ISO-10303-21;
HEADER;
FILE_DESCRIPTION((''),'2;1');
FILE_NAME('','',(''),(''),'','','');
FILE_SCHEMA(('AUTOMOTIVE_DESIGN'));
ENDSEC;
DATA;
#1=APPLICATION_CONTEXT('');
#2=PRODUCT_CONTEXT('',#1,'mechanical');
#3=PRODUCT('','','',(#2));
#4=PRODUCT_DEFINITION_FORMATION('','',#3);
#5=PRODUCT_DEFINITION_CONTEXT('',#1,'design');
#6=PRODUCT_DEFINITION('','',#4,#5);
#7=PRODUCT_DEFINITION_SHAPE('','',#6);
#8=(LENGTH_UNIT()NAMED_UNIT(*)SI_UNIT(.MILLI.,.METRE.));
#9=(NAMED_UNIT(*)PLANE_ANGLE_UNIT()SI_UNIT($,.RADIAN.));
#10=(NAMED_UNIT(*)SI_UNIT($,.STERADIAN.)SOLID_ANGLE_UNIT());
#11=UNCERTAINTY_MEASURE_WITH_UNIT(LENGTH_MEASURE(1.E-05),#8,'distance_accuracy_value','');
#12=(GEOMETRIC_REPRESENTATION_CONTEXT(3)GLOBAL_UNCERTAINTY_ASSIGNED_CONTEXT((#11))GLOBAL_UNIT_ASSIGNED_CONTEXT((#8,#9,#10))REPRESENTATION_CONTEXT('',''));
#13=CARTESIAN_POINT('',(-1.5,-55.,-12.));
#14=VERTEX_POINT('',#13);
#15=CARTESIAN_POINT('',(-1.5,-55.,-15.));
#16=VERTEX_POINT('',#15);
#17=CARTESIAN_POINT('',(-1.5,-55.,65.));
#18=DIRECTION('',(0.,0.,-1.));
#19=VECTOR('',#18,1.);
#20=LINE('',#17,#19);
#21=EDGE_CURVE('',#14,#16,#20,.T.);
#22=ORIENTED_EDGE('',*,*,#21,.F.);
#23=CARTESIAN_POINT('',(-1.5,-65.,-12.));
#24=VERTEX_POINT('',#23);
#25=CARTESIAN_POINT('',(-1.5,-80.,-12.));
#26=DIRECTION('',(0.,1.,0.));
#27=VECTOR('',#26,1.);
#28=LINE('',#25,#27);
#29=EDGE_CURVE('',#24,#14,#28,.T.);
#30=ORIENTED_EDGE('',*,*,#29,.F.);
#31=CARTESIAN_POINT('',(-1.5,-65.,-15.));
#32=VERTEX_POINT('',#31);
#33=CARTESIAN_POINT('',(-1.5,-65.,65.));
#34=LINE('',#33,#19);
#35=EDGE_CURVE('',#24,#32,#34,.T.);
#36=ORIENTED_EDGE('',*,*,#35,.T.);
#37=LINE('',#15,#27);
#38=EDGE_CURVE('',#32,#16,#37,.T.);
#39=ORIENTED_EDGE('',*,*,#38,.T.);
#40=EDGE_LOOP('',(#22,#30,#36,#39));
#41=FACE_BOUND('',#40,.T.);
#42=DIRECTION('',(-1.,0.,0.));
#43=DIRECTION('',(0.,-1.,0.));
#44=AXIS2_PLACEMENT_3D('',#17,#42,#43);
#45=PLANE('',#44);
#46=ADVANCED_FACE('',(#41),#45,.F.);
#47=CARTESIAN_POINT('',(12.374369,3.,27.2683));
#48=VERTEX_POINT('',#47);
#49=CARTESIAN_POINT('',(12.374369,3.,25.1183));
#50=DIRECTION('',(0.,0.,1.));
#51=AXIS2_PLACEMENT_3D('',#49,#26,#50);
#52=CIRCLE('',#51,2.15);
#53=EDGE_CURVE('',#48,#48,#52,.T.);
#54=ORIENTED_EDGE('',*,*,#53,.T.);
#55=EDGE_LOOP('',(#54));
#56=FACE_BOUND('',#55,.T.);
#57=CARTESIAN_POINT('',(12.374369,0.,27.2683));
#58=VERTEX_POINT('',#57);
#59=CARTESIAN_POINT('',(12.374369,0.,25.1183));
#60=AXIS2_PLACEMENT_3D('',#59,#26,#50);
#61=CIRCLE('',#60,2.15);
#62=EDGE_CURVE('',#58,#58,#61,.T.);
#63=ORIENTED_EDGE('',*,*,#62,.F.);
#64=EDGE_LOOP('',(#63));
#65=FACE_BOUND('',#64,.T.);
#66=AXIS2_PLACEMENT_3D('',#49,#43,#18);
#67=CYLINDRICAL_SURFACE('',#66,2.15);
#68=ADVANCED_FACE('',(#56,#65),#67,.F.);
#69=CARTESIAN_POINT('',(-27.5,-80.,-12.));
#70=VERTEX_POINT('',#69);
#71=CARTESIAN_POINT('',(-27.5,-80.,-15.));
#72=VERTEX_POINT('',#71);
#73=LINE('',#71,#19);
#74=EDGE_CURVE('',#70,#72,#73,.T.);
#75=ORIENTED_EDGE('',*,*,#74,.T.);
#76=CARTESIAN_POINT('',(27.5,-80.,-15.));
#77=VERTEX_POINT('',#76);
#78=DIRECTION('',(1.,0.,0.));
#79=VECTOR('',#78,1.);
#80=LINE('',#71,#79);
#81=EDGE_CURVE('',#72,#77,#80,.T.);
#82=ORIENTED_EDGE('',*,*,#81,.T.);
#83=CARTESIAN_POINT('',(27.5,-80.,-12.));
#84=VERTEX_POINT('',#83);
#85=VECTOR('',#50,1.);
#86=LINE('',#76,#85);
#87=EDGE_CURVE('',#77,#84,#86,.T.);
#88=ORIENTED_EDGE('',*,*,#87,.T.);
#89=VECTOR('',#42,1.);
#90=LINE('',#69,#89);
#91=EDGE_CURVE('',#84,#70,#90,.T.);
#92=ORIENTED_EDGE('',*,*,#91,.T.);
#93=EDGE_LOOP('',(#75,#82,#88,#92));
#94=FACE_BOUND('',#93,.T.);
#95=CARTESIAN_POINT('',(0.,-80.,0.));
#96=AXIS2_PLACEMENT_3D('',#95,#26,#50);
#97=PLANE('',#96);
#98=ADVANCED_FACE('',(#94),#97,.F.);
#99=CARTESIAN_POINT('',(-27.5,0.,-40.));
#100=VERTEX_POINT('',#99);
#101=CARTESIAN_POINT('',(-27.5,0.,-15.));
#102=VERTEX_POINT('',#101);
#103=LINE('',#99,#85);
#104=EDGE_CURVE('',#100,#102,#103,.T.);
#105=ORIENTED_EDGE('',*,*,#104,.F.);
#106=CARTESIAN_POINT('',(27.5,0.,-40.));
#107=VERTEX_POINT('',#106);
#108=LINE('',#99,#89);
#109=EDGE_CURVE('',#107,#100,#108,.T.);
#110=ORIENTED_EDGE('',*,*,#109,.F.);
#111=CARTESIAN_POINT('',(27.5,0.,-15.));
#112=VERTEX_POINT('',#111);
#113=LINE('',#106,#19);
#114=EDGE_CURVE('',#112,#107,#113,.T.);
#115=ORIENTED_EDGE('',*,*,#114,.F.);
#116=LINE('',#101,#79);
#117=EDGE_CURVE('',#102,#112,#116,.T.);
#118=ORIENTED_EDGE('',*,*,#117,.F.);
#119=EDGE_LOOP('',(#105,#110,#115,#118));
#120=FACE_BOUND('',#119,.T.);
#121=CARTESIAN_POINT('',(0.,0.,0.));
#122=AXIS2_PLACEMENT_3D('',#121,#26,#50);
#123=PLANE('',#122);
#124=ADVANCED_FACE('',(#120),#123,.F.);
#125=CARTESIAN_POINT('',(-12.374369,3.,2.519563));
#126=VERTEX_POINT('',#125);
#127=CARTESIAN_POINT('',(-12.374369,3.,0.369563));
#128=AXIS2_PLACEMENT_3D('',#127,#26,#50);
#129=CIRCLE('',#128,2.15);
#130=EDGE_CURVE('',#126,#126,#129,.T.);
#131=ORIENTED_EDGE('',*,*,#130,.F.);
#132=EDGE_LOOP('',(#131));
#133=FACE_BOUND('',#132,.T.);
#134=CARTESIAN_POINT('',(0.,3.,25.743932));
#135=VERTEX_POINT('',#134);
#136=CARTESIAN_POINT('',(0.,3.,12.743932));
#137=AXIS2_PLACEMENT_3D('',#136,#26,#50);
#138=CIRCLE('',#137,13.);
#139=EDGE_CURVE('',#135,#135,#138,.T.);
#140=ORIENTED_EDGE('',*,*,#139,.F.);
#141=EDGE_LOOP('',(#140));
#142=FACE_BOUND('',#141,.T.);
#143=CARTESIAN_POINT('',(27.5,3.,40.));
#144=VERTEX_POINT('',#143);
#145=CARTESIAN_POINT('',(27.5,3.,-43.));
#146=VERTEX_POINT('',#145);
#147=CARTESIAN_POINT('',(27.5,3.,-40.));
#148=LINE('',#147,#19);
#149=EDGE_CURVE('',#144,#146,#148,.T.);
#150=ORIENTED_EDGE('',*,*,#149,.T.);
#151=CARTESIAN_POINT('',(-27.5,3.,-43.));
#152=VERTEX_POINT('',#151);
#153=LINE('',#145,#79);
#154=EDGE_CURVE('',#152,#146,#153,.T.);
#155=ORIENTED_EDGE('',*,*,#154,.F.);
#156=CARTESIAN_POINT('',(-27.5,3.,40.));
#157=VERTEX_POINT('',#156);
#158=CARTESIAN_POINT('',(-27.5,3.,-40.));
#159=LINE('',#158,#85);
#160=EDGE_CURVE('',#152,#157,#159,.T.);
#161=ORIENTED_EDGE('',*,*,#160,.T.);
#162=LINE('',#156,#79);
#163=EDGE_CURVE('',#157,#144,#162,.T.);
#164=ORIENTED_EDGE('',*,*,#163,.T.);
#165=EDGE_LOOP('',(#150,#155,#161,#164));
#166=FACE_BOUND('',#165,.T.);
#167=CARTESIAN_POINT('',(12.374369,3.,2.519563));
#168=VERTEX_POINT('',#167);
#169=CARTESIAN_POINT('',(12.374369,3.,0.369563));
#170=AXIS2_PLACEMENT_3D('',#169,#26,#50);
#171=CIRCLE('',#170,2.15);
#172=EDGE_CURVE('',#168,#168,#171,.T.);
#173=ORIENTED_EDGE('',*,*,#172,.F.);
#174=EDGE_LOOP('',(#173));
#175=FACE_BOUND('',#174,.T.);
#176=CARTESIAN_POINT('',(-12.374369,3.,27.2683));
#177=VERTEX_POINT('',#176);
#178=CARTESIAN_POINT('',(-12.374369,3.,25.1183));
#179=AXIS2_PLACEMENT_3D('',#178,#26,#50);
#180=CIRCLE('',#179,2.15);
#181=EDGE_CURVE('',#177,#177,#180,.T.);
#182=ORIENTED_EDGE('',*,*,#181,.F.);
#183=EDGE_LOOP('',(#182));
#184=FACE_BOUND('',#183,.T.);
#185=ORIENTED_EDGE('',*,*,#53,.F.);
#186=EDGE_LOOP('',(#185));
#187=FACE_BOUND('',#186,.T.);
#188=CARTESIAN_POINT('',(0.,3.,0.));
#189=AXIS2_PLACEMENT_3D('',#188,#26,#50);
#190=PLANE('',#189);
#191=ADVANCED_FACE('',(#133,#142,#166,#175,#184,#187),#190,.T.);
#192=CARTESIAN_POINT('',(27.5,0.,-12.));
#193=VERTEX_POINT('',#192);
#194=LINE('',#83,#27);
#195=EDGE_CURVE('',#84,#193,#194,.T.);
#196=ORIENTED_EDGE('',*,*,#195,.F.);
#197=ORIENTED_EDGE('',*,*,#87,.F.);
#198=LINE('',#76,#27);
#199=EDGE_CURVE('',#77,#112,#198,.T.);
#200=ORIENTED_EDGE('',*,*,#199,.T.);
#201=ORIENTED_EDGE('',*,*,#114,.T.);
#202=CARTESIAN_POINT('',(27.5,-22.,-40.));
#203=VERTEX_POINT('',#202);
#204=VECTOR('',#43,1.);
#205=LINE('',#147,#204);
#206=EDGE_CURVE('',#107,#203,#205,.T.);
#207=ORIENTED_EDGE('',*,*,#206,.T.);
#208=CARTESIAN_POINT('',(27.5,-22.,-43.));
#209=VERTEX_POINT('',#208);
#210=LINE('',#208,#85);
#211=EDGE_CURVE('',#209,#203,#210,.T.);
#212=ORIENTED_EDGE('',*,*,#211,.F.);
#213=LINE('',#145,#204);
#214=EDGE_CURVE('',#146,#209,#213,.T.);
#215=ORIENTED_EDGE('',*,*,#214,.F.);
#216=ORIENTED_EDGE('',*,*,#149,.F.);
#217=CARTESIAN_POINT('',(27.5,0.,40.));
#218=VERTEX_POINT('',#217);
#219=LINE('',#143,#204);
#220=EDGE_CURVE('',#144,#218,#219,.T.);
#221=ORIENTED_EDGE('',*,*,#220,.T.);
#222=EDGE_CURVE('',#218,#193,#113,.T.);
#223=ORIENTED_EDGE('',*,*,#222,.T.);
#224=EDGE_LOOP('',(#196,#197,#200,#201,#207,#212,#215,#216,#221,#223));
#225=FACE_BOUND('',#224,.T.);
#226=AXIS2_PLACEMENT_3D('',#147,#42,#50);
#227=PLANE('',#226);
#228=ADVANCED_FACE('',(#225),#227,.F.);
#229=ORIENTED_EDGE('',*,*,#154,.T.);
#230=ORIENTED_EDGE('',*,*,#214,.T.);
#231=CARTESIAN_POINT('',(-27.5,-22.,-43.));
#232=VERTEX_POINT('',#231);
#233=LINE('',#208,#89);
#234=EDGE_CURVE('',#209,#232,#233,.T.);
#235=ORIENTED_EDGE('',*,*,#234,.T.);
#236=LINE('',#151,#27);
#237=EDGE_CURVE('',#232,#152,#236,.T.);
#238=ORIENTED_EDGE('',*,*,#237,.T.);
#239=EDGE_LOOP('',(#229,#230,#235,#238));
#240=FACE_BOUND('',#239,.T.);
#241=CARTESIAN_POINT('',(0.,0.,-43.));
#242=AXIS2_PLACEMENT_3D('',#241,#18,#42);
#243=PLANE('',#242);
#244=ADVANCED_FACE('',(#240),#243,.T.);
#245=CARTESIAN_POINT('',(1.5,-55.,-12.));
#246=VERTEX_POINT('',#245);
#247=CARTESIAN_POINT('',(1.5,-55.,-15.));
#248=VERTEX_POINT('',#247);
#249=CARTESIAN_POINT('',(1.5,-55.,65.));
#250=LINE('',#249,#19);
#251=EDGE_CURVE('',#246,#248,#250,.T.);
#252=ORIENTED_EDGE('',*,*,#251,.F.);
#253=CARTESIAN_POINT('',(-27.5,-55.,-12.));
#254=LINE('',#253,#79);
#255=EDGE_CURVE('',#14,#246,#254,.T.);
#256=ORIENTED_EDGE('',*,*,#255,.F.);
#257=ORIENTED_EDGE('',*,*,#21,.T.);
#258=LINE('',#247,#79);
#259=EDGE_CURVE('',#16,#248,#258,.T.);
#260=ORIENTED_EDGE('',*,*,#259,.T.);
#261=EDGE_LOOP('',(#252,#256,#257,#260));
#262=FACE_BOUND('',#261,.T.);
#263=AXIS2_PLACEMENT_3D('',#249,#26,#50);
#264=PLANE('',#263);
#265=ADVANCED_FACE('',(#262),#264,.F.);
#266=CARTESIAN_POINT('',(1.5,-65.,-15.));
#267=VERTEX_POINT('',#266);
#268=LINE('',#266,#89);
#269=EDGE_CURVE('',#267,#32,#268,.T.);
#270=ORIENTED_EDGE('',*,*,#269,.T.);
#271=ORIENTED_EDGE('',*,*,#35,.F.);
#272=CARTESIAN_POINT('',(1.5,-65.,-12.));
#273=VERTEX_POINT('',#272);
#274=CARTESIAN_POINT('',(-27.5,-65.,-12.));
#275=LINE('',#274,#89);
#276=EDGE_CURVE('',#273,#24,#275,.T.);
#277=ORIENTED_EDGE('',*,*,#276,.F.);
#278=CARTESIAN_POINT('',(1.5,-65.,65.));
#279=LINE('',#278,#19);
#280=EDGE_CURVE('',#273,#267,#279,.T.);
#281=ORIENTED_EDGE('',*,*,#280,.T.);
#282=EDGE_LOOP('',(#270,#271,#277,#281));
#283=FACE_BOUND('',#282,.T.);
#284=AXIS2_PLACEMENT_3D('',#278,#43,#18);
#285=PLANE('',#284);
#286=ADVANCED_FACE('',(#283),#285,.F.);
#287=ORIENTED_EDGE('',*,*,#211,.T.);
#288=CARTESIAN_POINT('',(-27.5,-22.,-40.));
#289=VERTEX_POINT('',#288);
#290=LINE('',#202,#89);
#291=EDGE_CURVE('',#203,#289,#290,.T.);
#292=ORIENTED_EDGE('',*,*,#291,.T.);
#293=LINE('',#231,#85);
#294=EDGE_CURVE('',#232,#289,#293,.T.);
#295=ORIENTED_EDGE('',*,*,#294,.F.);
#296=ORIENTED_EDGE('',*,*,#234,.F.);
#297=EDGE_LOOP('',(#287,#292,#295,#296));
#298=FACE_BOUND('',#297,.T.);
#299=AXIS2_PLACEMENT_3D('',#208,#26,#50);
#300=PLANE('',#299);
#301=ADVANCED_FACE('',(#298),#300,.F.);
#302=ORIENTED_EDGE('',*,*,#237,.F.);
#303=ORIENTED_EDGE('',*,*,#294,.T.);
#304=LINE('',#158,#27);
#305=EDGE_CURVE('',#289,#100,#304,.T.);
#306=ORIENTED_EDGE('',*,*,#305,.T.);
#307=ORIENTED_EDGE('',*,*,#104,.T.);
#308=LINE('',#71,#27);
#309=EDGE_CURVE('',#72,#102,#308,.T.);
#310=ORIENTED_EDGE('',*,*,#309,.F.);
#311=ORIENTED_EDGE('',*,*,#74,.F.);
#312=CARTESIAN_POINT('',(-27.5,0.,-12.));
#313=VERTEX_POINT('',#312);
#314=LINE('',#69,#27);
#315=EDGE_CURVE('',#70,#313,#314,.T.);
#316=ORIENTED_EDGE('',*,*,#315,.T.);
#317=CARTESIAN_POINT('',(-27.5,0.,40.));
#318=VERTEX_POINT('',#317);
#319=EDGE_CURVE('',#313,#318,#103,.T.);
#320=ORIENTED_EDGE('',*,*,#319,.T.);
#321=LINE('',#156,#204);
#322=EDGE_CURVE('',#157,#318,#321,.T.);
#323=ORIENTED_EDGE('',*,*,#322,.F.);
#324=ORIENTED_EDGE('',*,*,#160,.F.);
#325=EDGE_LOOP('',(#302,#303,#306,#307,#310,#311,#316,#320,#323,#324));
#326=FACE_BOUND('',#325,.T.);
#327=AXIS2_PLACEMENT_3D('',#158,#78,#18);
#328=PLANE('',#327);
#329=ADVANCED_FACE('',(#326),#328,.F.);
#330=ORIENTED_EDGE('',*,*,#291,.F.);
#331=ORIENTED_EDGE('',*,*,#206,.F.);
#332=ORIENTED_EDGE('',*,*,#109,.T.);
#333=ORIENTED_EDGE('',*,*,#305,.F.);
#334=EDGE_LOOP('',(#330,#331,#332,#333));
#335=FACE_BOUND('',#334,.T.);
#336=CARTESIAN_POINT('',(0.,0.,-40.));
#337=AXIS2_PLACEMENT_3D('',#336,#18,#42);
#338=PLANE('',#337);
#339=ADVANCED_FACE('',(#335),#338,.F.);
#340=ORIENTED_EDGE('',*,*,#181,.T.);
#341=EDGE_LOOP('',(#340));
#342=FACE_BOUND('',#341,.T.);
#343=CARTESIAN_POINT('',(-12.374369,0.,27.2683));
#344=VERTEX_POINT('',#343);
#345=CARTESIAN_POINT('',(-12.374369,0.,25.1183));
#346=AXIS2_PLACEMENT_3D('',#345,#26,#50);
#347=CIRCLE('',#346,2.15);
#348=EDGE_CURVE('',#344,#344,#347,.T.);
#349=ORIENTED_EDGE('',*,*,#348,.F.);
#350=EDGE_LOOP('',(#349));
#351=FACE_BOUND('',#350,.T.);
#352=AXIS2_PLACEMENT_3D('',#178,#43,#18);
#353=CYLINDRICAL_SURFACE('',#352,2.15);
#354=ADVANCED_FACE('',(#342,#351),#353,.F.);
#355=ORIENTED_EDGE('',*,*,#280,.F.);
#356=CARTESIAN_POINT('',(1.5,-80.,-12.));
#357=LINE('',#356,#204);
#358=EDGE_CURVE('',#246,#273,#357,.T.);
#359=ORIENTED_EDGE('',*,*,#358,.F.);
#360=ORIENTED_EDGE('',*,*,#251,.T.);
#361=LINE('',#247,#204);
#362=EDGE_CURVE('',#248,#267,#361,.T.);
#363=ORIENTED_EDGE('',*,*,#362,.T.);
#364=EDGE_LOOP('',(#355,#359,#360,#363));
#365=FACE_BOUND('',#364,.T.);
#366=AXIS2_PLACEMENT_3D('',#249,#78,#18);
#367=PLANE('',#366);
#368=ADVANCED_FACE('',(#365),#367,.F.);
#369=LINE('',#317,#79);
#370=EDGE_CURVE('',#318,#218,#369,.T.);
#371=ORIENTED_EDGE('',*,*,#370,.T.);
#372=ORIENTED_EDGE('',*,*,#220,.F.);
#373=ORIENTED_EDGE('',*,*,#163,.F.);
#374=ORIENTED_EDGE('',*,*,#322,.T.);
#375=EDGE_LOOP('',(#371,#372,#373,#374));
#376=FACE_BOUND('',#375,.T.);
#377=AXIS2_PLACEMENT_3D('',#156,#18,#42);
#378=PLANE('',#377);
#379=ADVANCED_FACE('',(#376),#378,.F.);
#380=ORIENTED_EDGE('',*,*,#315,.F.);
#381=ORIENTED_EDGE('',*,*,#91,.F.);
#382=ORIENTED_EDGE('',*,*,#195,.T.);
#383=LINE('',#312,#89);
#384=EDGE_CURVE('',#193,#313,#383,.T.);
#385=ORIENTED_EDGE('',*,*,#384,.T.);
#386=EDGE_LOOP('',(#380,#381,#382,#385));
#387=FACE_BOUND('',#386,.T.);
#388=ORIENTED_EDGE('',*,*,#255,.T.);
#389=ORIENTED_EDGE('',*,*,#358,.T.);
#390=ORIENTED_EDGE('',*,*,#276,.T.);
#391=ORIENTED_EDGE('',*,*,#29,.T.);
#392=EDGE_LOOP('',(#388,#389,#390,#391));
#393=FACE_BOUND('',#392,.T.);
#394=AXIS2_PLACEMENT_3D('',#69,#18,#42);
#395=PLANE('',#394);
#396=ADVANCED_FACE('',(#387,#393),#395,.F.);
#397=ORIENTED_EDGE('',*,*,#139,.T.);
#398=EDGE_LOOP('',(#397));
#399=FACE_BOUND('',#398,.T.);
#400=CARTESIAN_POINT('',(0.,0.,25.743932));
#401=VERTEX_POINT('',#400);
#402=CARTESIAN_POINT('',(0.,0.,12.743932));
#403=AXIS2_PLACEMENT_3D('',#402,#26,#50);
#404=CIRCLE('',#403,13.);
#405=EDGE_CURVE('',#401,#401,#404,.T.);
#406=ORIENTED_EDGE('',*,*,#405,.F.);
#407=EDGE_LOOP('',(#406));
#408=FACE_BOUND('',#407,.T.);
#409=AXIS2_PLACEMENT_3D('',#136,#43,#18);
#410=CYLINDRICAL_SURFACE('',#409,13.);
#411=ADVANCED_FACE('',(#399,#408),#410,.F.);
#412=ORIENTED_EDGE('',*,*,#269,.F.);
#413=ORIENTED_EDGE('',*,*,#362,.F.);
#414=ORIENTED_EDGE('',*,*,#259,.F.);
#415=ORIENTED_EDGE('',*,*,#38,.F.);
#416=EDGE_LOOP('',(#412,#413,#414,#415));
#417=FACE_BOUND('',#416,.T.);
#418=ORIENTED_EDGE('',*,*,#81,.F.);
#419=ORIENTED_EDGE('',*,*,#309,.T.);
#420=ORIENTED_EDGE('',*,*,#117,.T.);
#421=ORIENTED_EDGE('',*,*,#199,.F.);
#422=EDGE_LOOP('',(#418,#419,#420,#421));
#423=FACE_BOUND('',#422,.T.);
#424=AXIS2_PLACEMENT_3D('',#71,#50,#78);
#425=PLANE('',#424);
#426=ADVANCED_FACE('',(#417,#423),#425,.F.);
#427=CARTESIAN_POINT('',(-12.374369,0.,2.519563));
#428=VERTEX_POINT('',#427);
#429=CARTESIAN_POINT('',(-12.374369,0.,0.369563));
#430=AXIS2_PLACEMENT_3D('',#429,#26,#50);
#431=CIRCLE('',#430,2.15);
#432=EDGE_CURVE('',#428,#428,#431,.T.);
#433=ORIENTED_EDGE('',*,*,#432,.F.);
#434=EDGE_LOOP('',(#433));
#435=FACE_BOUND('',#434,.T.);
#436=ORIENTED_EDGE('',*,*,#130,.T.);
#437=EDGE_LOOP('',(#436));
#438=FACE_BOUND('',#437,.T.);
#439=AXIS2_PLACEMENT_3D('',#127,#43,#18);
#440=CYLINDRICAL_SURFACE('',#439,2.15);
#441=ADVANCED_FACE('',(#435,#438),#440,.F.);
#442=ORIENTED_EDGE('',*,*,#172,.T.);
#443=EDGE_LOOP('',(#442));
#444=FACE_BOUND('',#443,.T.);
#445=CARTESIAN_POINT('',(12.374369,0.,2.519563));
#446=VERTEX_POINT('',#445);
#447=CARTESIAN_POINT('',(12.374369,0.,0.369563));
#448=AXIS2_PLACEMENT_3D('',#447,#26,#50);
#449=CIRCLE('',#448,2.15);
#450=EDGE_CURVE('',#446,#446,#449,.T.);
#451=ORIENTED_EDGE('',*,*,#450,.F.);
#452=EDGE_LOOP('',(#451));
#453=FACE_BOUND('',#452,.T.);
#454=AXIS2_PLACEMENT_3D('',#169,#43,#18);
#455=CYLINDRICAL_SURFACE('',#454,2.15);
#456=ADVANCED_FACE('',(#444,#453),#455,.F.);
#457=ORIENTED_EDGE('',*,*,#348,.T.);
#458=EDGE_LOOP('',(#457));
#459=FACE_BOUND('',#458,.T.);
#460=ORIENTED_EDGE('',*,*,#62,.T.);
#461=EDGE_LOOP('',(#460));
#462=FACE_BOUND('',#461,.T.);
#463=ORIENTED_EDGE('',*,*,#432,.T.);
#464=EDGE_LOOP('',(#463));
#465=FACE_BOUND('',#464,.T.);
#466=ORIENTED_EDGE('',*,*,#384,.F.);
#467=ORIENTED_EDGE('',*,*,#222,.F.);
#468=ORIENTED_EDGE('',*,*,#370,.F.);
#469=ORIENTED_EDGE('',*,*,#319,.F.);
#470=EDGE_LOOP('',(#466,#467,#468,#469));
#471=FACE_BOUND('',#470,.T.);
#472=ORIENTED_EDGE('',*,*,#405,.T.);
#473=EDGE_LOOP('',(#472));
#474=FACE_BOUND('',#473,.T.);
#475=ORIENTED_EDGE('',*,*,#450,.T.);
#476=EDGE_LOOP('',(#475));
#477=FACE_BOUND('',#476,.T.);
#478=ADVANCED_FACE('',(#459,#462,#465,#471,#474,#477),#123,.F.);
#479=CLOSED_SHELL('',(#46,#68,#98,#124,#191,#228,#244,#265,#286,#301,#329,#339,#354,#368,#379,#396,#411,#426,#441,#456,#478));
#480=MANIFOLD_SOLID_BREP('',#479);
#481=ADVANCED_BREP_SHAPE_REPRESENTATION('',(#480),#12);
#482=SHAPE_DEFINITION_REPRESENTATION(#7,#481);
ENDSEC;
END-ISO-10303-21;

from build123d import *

# Parameters (mm, degrees)
SKETCH1_W           = 55
SKETCH1_H           = 80
SKETCH1_R           = 13
SKETCH1_R_2         = 2.15
BOSS_EXTRUDE2_DEPTH = 3
SKETCH2_W           = 55
SKETCH2_H           = 3
BOSS_EXTRUDE3_DEPTH = 80
SKETCH3_W           = 3
SKETCH3_H           = 10
CUT_EXTRUDE1_DEPTH  = 80
SKETCH4_W           = 55
SKETCH4_H           = 25
BOSS_EXTRUDE4_DEPTH = 3


with BuildPart() as part:
    # Sketch1 → Boss-Extrude2 (new body)
    with BuildSketch(Plane(origin=(0, 0, 0), x_dir=(1, 0, 0), z_dir=(0, 1, 0))):
        Rectangle(SKETCH1_W, SKETCH1_H)
        with Locations((0, -12.743931666)):
            Circle(SKETCH1_R, mode=Mode.SUBTRACT)
        with Locations((12.374368671, -0.369562995)):
            Circle(SKETCH1_R_2, mode=Mode.SUBTRACT)
        with Locations((12.374368671, -25.118300337)):
            Circle(SKETCH1_R_2, mode=Mode.SUBTRACT)
        with Locations((-12.374368671, -25.118300337)):
            Circle(SKETCH1_R_2, mode=Mode.SUBTRACT)
        with Locations((-12.374368671, -0.369562995)):
            Circle(SKETCH1_R_2, mode=Mode.SUBTRACT)
    extrude(amount=BOSS_EXTRUDE2_DEPTH)

    # Sketch2 → Boss-Extrude3 (add)
    with BuildSketch(Plane.XZ):
        with Locations((0, -13.5)):
            Rectangle(SKETCH2_W, SKETCH2_H)
    extrude(amount=BOSS_EXTRUDE3_DEPTH)

    # Sketch3 → Cut-Extrude1 (cut)
    with BuildSketch(Plane(origin=(0, 0, -15), x_dir=(-1, 0, 0), z_dir=(0, 0, -1))):
        with Locations((0, -60)):
            Rectangle(SKETCH3_W, SKETCH3_H)
    extrude(amount=-CUT_EXTRUDE1_DEPTH, mode=Mode.SUBTRACT)

    # Sketch4 → Boss-Extrude4 (add)
    with BuildSketch(Plane(origin=(0, 0, -40), x_dir=(-1, 0, 0), z_dir=(0, 0, -1))):
        with Locations((0, -9.5)):
            Rectangle(SKETCH4_W, SKETCH4_H)
    extrude(amount=BOSS_EXTRUDE4_DEPTH)


solid = part.part
